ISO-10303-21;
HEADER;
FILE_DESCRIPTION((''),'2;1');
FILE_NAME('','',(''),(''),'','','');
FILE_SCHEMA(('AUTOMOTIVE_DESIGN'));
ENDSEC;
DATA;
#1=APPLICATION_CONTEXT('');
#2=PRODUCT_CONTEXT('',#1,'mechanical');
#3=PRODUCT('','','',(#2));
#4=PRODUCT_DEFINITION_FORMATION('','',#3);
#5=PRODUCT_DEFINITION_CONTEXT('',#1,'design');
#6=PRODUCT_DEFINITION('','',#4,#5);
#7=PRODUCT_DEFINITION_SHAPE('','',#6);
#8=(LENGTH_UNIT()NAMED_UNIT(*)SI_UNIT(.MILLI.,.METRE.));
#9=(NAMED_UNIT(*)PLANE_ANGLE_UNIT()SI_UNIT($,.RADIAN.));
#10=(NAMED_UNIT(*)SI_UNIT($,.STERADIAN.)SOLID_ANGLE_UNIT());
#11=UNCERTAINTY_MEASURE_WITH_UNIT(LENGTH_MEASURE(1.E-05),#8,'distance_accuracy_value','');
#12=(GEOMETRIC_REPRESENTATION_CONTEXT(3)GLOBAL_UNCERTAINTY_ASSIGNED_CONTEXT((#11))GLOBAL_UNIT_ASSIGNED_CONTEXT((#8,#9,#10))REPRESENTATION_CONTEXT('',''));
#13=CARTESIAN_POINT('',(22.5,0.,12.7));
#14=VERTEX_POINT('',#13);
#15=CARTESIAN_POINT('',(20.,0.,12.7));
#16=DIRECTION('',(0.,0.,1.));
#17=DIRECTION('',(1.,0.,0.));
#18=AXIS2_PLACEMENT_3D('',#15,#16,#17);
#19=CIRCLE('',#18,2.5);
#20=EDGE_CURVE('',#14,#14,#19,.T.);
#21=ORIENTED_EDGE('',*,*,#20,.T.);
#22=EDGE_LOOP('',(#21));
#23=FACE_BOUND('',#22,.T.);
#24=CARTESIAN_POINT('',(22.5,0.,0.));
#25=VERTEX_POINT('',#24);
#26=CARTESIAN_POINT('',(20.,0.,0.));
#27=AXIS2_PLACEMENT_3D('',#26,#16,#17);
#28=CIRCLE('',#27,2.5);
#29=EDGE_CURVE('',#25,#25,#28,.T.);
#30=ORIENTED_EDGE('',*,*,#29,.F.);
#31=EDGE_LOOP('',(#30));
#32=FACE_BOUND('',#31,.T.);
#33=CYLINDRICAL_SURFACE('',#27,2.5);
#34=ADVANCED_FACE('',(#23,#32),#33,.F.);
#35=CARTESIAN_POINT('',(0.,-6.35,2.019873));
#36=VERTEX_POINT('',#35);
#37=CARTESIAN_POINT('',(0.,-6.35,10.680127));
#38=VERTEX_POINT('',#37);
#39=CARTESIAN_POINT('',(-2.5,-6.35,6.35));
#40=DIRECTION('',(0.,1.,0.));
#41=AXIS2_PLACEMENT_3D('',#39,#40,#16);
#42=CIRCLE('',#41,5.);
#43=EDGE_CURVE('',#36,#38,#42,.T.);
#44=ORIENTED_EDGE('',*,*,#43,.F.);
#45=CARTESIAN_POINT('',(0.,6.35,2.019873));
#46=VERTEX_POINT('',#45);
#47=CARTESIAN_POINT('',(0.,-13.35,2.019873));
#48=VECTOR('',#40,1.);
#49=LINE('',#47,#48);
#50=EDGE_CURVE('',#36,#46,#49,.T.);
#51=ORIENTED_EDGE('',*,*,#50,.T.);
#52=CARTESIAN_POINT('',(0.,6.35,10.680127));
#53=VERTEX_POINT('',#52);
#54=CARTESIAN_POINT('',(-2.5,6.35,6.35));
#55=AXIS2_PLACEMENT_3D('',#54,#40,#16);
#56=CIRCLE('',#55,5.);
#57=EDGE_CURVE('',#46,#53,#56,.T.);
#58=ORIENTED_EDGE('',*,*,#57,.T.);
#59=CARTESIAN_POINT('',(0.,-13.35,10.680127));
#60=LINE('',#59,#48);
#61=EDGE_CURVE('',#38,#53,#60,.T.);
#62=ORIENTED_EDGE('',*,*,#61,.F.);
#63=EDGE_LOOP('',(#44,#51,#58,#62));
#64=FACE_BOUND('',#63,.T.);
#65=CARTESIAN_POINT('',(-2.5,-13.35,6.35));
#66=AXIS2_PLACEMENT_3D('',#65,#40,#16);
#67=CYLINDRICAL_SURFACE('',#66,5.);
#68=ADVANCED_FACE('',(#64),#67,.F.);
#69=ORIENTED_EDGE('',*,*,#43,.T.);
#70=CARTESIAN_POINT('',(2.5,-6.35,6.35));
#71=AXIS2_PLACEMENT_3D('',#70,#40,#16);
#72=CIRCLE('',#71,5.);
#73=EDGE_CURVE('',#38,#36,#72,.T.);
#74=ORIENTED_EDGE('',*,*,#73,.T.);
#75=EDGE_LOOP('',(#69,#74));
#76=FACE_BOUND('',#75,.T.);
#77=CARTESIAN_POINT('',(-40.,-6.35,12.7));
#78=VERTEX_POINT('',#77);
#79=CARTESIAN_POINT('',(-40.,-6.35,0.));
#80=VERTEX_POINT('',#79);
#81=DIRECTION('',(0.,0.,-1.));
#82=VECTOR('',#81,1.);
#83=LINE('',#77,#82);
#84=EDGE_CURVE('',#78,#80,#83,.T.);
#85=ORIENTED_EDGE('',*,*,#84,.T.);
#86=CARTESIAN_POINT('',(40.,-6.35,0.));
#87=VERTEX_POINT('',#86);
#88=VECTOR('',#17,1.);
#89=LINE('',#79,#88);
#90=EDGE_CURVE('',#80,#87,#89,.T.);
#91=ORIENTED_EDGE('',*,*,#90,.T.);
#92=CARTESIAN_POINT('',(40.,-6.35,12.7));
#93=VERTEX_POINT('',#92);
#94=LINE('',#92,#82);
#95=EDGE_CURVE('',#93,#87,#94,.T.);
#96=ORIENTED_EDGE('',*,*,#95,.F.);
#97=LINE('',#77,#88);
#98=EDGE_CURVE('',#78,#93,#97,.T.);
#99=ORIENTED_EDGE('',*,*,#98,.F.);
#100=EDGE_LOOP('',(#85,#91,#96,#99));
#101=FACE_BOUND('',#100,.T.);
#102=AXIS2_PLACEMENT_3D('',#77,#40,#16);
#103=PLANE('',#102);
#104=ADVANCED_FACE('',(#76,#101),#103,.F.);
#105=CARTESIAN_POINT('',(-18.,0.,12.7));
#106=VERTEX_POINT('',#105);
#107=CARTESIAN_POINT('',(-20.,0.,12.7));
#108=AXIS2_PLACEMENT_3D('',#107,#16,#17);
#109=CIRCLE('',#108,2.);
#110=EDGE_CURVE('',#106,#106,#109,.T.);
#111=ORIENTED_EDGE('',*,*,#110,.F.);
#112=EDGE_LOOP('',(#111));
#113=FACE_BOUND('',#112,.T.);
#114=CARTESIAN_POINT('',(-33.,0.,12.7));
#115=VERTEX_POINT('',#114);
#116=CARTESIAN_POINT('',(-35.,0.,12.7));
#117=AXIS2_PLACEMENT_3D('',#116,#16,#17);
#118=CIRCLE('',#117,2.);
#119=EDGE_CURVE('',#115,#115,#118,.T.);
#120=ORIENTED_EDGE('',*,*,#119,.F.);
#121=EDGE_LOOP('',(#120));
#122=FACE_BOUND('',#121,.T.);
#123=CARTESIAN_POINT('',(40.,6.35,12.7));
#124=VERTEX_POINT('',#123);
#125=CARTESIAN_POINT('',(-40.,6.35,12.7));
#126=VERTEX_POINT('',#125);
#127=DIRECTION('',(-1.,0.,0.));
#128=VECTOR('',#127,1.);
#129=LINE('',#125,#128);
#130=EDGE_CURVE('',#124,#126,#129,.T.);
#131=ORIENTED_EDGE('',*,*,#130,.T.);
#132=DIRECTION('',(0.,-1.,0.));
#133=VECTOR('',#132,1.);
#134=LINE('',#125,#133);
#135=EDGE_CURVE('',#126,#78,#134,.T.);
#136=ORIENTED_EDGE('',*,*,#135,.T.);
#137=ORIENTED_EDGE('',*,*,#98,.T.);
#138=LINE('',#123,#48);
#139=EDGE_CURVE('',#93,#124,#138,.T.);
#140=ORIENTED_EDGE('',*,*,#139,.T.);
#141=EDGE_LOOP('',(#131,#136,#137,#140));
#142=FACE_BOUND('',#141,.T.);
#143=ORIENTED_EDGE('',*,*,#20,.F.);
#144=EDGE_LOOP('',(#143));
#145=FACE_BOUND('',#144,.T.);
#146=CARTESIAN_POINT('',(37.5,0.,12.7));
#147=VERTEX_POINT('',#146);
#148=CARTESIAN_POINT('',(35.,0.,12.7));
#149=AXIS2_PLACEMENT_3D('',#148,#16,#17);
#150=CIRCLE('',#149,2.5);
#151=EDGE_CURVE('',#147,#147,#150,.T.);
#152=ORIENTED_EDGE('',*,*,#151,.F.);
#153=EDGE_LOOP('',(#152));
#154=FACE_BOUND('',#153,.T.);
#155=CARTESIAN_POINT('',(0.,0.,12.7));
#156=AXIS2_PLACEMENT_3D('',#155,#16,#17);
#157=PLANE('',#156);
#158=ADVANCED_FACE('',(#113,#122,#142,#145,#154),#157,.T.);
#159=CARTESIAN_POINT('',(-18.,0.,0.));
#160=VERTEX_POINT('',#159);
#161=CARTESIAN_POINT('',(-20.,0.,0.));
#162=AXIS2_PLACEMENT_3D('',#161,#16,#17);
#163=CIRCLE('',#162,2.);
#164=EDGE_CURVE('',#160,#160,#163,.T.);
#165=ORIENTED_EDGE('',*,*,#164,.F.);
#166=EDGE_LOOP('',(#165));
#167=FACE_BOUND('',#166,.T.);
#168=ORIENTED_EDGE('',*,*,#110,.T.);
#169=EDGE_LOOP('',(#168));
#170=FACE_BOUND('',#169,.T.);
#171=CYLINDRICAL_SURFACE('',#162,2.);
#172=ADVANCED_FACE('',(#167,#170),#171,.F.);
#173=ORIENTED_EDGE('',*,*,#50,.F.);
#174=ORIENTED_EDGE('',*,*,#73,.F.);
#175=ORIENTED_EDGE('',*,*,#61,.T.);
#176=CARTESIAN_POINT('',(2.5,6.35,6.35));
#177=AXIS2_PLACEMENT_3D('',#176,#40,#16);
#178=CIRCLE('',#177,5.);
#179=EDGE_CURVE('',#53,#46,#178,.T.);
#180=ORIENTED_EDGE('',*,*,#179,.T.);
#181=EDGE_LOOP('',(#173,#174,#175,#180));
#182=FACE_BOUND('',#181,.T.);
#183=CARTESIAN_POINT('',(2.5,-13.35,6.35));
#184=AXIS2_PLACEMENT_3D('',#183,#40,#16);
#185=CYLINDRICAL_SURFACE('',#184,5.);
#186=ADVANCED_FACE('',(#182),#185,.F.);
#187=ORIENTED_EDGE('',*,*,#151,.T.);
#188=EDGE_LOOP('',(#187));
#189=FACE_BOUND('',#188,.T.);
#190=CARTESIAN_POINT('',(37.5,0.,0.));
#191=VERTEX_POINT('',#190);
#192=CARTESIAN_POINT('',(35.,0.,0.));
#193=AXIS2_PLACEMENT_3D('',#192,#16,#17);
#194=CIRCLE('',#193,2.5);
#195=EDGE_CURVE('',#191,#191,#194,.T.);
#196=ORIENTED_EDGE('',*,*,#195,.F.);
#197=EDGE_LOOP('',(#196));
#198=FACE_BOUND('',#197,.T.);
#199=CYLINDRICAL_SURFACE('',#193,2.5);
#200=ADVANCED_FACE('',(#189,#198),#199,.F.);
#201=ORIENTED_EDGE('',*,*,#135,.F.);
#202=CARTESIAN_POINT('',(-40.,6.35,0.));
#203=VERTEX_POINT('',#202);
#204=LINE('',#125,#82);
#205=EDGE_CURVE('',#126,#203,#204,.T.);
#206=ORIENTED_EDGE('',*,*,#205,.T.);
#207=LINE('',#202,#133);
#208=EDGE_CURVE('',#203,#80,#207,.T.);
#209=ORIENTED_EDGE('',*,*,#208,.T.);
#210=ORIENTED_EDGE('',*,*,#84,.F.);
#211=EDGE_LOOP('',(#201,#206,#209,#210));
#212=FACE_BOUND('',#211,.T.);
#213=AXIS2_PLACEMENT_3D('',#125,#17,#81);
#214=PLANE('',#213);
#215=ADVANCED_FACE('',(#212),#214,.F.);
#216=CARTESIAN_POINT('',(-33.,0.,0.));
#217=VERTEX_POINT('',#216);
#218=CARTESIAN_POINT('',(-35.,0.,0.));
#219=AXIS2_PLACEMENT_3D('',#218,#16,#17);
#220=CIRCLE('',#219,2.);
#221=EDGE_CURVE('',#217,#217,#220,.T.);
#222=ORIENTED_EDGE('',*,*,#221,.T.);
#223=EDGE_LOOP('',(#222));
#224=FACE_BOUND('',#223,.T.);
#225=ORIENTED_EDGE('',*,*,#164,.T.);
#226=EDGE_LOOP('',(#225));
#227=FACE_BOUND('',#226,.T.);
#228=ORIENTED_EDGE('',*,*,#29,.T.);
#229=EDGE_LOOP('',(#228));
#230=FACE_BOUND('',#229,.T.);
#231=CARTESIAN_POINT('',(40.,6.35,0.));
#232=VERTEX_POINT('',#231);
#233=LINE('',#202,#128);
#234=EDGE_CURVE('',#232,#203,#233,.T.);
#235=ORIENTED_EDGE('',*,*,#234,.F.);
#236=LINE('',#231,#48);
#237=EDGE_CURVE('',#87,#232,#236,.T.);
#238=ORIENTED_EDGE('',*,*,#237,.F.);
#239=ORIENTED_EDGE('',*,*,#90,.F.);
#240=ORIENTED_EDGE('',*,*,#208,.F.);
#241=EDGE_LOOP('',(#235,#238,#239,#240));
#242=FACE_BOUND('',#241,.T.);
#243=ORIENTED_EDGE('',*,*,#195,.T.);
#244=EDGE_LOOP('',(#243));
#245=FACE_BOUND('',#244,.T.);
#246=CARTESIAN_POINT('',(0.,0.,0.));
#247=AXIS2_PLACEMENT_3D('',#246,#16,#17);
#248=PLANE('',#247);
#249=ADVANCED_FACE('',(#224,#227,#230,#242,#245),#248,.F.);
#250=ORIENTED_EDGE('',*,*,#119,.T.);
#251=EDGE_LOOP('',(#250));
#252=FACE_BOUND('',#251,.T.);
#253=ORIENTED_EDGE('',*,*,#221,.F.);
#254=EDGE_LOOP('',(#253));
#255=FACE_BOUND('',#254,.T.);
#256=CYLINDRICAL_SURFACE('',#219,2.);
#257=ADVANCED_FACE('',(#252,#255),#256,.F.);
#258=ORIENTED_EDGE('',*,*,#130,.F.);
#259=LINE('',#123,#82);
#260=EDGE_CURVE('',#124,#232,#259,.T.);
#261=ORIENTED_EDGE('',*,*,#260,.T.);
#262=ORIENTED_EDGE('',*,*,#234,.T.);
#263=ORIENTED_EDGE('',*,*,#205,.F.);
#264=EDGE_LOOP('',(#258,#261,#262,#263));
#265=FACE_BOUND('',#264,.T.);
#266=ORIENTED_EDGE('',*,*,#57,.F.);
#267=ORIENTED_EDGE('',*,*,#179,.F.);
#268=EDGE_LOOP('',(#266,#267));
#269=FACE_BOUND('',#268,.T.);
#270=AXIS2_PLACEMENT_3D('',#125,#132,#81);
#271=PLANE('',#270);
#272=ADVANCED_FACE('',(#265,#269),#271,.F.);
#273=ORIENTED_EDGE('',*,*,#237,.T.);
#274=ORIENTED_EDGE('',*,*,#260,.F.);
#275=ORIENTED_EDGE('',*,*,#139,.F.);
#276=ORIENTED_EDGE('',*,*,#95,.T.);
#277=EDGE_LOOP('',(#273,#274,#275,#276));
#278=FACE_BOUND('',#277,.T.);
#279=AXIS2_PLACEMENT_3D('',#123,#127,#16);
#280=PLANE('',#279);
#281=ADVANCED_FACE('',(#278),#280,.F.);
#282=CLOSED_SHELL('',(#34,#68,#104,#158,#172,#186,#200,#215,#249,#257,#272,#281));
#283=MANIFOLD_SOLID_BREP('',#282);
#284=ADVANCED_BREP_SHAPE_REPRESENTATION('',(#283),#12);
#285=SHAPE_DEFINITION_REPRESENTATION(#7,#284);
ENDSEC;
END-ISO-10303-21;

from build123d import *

# Parameters (mm, degrees)
IZIM1_W                     = 80
IZIM1_H                     = 12.7
Y_KSEKLIK_EKSTR_ZYON1_DEPTH = 12.7
IZIM2_R                     = 2.5
IZIM2_R_2                   = 2
KES_EKSTR_ZYON1_DEPTH       = 12.7
KES_EKSTR_ZYON2_DEPTH       = 19.7


with BuildPart() as part:
    # Çizim1 → Yükseklik-Ekstrüzyon1 (new body)
    with BuildSketch(Plane.XY):
        Rectangle(IZIM1_W, IZIM1_H)
    extrude(amount=Y_KSEKLIK_EKSTR_ZYON1_DEPTH)

    # Çizim2 → Kes-Ekstrüzyon1 (cut)
    with BuildSketch(Plane.XY.offset(12.7)):
        with Locations((35, 0)):
            Circle(IZIM2_R)
        with Locations((20, 0)):
            Circle(IZIM2_R)
        with Locations((-35, 0)):
            Circle(IZIM2_R_2)
        with Locations((-20, 0)):
            Circle(IZIM2_R_2)
    extrude(amount=-KES_EKSTR_ZYON1_DEPTH, mode=Mode.SUBTRACT)

    # Çizim3 → Kes-Ekstrüzyon2 (cut)
    with BuildSketch(Plane(origin=(0, 6.35, 0), x_dir=(1, 0, 0), z_dir=(0, 1, 0))):
        with BuildLine():
            ThreePointArc((0, -2.019872981), (-7.5, -6.35), (0, -10.680127019))
            ThreePointArc((0, -10.680127019), (7.5, -6.35), (0, -2.019872981))
        make_face()
    extrude(amount=-KES_EKSTR_ZYON2_DEPTH, mode=Mode.SUBTRACT)


solid = part.part
